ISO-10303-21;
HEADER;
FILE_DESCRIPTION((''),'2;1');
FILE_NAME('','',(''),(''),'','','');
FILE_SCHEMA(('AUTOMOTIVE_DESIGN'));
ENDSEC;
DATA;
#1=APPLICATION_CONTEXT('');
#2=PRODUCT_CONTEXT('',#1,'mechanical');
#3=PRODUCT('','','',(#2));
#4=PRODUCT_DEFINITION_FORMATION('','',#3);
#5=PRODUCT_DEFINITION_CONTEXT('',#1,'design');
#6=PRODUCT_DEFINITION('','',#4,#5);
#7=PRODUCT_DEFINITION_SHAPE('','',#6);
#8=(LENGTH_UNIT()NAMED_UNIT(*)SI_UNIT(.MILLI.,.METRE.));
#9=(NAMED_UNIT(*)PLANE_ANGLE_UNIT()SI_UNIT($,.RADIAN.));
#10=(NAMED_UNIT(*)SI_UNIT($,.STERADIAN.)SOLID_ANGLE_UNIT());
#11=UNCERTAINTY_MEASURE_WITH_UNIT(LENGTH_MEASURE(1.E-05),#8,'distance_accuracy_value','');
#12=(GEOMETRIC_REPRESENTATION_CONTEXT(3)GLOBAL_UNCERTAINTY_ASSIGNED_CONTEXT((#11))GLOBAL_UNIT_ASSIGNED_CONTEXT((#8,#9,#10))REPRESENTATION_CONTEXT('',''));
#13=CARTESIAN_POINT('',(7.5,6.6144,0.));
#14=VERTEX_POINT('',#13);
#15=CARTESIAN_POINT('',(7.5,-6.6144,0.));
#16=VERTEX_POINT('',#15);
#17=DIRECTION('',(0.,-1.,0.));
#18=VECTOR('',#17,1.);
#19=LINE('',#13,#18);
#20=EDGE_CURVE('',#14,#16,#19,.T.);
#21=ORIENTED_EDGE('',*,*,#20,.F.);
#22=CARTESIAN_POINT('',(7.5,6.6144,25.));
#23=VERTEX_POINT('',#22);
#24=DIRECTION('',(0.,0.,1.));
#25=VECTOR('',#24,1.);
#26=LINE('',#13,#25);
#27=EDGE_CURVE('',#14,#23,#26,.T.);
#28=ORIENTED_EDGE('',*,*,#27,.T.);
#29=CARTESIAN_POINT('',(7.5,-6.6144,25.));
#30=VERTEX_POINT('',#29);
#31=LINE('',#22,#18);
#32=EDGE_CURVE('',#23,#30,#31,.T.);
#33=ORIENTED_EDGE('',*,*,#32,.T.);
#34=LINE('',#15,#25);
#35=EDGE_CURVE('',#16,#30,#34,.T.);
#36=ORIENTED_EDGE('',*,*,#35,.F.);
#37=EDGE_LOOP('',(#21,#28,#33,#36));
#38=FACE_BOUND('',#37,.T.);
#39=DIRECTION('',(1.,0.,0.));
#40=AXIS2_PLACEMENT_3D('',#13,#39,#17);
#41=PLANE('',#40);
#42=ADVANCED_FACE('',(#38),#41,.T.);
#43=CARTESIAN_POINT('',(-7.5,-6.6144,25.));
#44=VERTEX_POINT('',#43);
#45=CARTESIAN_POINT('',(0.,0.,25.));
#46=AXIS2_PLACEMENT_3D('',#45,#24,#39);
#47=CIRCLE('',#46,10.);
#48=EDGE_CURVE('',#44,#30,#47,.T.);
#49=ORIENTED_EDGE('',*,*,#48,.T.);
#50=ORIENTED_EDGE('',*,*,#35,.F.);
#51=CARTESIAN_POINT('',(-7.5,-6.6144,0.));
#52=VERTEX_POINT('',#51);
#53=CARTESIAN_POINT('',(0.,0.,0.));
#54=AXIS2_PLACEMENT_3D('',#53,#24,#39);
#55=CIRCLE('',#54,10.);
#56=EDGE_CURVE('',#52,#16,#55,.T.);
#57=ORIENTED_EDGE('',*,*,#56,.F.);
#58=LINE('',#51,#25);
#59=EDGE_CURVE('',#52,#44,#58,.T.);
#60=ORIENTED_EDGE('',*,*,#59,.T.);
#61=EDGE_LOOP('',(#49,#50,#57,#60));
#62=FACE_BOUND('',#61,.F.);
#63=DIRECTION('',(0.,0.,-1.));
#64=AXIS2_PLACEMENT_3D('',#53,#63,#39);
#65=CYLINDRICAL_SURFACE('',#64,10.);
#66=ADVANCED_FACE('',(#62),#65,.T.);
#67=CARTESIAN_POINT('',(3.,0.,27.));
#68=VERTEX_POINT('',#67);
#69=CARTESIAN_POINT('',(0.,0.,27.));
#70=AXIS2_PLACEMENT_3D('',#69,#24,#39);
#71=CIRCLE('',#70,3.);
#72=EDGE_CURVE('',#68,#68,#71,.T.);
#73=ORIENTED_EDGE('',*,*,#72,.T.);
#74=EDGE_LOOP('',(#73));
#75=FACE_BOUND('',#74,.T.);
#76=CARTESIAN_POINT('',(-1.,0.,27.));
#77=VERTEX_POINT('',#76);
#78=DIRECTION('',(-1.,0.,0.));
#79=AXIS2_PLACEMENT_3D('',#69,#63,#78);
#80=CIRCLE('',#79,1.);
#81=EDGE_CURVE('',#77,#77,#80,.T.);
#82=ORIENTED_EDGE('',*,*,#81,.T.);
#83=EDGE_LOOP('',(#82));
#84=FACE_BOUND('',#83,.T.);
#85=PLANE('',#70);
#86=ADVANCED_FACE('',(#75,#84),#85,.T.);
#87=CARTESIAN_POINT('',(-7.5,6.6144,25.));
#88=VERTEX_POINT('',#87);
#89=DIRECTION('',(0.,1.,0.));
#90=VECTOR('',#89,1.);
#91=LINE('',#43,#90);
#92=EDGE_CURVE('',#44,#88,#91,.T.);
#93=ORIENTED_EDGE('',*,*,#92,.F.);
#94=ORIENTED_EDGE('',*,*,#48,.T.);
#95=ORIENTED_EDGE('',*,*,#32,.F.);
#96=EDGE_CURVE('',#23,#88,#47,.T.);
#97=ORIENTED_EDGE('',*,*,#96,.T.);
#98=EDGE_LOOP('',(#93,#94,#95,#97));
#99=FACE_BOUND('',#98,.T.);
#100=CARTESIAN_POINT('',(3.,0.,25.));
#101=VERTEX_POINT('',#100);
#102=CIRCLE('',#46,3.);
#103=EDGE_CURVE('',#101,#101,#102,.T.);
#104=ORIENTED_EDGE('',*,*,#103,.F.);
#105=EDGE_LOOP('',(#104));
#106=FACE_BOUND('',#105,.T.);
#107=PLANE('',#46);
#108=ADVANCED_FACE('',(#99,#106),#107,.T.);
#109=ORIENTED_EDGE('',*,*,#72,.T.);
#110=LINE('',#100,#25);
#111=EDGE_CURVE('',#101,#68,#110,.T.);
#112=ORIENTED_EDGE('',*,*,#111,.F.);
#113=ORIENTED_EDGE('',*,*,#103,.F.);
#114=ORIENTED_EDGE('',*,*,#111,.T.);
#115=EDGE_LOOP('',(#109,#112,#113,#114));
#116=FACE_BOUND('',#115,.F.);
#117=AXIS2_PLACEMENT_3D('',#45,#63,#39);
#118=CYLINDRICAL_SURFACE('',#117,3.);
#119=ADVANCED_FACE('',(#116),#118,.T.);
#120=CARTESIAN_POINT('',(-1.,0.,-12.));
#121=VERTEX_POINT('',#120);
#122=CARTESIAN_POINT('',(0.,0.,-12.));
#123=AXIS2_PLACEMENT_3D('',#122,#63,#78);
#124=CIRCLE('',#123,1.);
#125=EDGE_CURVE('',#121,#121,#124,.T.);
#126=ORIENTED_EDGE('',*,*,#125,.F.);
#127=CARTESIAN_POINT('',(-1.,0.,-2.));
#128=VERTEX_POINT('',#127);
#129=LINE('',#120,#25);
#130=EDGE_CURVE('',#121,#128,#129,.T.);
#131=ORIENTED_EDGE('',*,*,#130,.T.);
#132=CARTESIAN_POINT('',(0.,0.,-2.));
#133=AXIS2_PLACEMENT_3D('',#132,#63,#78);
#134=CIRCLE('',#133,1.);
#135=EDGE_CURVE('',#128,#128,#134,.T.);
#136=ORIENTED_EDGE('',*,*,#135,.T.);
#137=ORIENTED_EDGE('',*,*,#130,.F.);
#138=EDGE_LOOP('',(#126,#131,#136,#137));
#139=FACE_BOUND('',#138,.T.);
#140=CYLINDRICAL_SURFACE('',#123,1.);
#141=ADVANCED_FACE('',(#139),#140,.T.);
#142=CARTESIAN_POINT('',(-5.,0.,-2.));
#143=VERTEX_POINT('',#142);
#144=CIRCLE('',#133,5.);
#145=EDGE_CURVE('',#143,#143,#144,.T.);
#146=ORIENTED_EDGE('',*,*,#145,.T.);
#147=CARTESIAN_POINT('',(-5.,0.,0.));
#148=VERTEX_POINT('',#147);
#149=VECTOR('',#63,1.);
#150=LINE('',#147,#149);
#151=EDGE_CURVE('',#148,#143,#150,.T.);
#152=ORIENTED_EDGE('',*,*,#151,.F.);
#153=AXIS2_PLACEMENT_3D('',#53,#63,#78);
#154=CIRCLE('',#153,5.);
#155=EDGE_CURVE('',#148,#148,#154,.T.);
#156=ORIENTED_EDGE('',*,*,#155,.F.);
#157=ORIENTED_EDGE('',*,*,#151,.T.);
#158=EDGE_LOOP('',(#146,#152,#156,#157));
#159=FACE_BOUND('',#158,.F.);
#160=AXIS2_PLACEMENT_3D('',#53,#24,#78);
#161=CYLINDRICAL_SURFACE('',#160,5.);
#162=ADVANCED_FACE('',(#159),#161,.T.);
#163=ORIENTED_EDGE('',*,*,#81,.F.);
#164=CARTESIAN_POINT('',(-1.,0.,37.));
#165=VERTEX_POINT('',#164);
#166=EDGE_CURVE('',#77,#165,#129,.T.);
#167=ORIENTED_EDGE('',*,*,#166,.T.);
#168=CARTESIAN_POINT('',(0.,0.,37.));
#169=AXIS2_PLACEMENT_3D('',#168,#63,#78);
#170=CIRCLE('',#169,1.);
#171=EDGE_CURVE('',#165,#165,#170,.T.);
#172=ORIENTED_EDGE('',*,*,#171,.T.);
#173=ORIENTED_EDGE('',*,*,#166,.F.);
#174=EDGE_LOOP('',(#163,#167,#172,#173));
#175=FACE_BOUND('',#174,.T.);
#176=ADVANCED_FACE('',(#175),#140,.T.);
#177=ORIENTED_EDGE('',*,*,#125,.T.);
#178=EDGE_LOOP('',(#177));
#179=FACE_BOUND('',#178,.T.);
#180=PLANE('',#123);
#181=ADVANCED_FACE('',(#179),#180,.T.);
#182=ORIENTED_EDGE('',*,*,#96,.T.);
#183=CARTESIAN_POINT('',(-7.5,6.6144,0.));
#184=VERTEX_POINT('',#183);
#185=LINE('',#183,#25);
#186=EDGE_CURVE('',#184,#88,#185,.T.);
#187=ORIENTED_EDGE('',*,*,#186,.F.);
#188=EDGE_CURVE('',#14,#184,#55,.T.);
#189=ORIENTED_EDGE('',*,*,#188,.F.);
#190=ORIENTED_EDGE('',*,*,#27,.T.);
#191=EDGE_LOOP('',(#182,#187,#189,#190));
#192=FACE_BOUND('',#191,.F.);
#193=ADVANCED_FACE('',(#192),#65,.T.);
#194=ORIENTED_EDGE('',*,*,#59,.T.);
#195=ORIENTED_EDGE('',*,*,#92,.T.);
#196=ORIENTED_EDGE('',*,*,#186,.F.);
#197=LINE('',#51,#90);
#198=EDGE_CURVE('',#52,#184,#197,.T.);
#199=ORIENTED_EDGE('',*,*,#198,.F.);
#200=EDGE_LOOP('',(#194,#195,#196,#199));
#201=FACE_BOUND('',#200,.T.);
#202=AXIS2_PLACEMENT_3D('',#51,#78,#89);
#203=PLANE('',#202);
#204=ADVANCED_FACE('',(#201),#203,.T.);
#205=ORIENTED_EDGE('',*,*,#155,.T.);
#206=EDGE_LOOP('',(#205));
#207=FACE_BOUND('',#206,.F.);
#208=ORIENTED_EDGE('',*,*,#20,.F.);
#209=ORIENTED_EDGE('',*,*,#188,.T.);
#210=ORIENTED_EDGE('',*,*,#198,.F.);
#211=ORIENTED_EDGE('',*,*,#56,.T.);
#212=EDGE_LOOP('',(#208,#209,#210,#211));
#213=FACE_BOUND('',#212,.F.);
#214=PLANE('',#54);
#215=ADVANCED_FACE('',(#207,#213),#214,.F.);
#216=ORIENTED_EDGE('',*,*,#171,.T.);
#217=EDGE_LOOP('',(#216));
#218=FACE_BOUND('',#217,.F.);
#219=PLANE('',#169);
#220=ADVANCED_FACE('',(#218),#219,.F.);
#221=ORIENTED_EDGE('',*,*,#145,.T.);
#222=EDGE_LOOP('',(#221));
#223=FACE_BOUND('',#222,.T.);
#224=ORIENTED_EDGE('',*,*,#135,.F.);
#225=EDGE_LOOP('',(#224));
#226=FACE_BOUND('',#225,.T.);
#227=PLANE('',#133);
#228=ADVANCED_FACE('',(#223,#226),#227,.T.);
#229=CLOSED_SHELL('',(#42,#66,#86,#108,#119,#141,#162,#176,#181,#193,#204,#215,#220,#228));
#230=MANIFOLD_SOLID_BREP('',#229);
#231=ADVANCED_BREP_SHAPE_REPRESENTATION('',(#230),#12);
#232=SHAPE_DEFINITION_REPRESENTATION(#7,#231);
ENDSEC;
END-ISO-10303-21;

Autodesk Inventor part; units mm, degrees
ref_plane "YZ Plane" through (0, 0, 0) normal (1, 0, 0) x (0, 1, 0)
ref_plane "XZ Plane" through (0, 0, 0) normal (0, 1, 0) x (-1, 0, 0)
sketch "スケッチ1" plane through (0, 0, 0) normal (0, 0, 1) x (1, 0, 0)
  circle A0 centre (0, 0) radius 10
  line L0 (-7.5, 6.6144) -> (7.5, 6.6144) construction
  line L1 (7.5, 6.6144) -> (7.5, -6.6144)
  line L2 (7.5, -6.6144) -> (-7.5, -6.6144) construction
  line L3 (-7.5, -6.6144) -> (-7.5, 6.6144)
  dimension "d0" = 20
  dimension "d1" = 15
extrude "押し出し1" add sketch "スケッチ1" along normal blind 25 contours L1 A0 L3
sketch "スケッチ2" plane through (0, 0, 25) normal (0, 0, 1) x (1, 0, 0)
  circle A0 centre (0, 0) radius 3
  dimension "d4" = 6
extrude "押し出し2" add sketch "スケッチ2" along normal blind 2
sketch "スケッチ3" plane through (0, 0, 0) normal (0, 0, -1) x (-1, 0, 0)
  circle A0 centre (0, 0) radius 5
  dimension "d7" = 10
extrude "押し出し3" add sketch "スケッチ3" along normal blind 2
ref_plane "作業平面1" through (0, 0, -12) normal (0, 0, -1) x (-1, 0, 0)
sketch "スケッチ4" plane through (0, 0, -12) normal (0, 0, -1) x (-1, 0, 0)
  circle A0 centre (0, 0) radius 1
  dimension "d11" = 2
extrude "押し出し4" add sketch "スケッチ4" against normal blind 49
properties part number "Motor_400"
